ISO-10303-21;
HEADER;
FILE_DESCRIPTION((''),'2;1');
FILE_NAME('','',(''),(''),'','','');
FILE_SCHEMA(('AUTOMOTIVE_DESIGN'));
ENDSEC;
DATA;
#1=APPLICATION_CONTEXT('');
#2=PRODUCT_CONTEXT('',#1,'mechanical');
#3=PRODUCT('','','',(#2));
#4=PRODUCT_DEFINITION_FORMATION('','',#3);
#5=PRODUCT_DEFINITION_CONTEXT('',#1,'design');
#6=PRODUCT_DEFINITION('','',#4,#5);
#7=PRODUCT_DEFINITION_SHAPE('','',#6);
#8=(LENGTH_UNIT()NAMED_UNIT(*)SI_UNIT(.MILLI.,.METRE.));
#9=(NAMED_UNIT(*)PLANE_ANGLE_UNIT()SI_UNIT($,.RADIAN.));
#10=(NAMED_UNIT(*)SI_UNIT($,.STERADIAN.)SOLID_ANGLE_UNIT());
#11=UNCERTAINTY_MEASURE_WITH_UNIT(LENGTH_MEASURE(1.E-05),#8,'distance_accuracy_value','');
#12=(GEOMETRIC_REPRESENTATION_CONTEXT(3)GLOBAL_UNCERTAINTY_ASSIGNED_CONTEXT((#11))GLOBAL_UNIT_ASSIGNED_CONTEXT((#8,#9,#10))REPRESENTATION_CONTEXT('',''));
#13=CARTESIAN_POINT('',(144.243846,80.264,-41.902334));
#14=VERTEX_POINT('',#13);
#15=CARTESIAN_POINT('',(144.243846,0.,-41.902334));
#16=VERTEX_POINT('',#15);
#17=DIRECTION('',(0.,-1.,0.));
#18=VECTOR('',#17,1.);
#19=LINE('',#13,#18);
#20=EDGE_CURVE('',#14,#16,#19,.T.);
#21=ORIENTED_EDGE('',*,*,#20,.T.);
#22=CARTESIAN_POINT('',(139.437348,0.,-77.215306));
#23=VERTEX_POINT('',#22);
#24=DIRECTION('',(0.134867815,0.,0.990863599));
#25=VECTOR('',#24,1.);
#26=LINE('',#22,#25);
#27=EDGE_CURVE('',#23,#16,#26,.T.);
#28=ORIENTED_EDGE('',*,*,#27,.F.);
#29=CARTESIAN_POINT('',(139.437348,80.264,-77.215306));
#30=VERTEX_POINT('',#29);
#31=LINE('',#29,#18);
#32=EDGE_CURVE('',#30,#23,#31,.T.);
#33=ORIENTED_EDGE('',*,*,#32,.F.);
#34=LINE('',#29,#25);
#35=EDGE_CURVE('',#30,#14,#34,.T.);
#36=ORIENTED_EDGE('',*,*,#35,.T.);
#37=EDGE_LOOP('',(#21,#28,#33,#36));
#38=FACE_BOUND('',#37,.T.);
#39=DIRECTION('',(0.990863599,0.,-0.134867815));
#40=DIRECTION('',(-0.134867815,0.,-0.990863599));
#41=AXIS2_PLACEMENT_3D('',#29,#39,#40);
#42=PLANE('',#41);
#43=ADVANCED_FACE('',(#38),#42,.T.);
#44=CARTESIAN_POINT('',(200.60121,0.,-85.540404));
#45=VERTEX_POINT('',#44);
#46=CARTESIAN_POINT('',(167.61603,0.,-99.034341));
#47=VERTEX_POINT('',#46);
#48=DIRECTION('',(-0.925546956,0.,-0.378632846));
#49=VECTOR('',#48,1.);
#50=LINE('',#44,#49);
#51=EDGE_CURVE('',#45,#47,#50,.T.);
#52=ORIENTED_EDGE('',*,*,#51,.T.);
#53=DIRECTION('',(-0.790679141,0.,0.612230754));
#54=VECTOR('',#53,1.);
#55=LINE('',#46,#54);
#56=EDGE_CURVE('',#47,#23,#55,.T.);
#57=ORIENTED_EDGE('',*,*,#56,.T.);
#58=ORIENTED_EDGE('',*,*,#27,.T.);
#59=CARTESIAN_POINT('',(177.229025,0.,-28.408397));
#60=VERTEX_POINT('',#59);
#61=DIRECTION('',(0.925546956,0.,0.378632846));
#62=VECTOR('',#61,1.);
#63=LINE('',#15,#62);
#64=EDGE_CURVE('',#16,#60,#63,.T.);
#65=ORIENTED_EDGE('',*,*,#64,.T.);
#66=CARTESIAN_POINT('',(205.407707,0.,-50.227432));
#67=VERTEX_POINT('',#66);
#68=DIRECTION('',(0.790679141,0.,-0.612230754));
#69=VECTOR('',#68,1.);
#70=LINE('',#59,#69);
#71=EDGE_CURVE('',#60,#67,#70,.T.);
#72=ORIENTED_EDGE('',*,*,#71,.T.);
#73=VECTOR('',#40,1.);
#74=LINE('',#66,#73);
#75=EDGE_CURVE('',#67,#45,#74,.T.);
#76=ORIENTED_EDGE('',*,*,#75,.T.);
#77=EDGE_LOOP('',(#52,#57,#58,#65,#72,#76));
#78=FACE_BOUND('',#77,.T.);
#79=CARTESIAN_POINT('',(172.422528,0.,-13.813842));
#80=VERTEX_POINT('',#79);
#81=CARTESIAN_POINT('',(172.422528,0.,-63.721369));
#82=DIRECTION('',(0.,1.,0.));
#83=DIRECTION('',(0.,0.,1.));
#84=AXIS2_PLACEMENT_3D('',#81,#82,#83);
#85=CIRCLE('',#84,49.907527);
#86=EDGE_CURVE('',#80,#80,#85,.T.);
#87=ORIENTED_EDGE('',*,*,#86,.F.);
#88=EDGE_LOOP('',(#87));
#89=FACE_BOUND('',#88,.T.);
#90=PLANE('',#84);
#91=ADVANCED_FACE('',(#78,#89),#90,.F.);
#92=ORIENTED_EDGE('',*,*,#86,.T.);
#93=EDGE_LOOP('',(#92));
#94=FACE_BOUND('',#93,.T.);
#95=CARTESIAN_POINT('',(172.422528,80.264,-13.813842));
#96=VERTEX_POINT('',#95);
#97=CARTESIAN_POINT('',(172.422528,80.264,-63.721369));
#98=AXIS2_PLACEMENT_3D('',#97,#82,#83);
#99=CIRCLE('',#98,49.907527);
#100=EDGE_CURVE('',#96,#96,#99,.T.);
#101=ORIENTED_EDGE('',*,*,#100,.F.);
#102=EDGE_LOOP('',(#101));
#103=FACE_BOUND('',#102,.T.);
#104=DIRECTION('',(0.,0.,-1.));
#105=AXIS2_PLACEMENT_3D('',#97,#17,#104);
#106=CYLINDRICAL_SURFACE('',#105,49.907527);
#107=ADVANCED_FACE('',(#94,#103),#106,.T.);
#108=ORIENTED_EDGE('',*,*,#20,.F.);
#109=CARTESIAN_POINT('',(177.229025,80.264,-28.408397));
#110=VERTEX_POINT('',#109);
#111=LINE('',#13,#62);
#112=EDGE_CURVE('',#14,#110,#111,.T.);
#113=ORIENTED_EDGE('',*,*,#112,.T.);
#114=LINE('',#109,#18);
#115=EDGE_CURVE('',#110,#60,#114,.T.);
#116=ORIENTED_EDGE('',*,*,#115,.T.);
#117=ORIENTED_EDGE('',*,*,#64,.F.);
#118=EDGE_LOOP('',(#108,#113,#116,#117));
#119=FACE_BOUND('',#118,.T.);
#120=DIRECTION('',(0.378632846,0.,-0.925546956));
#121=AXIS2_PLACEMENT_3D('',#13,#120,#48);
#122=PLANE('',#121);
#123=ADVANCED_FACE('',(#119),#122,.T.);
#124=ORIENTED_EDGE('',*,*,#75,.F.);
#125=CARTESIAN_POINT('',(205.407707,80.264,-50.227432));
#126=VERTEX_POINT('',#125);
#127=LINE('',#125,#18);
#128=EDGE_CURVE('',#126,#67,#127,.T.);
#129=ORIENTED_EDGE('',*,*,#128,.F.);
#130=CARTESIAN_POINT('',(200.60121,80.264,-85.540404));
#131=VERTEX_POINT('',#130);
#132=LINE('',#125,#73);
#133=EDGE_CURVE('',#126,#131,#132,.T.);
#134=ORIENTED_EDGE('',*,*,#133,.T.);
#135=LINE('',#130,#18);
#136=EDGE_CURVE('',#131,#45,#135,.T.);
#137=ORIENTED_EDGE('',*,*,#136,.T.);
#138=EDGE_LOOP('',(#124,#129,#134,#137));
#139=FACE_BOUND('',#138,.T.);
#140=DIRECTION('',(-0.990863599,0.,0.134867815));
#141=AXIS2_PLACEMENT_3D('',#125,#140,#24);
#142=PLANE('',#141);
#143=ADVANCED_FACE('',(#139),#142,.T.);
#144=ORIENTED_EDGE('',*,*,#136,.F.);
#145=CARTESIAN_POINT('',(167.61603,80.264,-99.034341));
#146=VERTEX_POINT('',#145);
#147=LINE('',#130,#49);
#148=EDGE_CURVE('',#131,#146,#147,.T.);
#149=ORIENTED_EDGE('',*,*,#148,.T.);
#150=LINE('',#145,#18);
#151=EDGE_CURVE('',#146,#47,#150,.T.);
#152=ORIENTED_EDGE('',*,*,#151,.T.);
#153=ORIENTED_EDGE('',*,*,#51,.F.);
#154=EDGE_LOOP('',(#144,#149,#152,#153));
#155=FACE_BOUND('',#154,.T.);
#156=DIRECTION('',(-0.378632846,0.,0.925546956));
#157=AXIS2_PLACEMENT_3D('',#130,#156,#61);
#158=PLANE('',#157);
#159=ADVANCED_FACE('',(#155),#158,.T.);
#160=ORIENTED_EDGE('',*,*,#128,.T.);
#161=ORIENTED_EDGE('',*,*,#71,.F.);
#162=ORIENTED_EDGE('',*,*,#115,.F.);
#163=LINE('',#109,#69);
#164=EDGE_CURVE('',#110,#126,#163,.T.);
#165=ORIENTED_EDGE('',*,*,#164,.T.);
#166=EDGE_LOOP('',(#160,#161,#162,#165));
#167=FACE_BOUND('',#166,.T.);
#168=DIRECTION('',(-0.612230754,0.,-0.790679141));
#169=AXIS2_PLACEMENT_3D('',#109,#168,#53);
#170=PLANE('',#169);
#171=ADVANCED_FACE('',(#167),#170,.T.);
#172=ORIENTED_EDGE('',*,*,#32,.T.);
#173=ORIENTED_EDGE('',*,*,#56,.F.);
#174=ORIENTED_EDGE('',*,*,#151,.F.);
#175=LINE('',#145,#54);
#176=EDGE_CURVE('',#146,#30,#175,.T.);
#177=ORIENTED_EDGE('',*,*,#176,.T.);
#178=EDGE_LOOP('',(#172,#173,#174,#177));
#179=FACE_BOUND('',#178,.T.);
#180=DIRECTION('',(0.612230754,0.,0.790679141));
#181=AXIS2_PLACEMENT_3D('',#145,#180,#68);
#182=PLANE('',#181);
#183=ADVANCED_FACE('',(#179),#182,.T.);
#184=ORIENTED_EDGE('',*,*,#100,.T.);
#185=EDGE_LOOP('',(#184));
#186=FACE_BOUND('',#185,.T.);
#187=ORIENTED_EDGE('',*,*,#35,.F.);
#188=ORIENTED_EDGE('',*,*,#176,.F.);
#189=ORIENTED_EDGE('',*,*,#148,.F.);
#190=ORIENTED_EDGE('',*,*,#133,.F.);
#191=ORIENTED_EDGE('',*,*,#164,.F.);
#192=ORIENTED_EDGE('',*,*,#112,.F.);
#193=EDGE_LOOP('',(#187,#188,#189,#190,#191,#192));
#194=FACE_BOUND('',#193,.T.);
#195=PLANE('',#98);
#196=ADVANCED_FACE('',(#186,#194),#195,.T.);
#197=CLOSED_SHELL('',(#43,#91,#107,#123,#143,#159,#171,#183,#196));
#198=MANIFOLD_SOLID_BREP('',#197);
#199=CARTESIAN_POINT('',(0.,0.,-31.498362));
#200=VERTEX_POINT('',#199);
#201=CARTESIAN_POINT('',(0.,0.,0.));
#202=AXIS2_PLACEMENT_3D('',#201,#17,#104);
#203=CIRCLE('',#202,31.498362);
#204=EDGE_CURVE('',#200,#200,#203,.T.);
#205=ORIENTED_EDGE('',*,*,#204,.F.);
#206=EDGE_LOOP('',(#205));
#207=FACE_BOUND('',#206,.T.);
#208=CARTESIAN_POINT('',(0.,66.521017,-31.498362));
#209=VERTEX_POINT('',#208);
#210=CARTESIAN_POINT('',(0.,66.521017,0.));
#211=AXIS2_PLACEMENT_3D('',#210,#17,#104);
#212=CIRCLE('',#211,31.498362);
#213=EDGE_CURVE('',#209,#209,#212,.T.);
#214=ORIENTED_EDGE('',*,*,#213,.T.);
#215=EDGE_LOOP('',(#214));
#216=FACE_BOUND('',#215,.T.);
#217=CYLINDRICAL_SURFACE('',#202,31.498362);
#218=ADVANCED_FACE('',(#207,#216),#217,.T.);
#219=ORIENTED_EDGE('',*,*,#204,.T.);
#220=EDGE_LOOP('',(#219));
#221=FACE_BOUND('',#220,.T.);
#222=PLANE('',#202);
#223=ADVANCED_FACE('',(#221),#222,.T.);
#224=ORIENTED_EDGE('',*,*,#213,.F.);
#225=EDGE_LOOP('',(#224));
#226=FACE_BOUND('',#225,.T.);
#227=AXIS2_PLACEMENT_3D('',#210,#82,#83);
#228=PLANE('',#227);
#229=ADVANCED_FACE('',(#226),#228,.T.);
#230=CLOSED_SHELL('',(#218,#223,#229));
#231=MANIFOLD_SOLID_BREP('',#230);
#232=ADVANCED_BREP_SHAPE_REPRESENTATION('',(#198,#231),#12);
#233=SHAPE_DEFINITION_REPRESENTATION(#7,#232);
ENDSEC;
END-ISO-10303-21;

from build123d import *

# Parameters (mm, degrees)
SKETCH1_W           = 31.498362362
SKETCH1_H           = 66.521017017
SKETCH2_R           = 49.907526652
BOSS_EXTRUDE1_DEPTH = 80.264


with BuildPart() as part:
    # Sketch1 → Revolve1 (revolve)
    with BuildSketch(Plane.XY, mode=Mode.PRIVATE) as revolve1_sk:
        with Locations((15.749181181, 33.260508509)):
            Rectangle(SKETCH1_W, SKETCH1_H)
    revolve(revolve1_sk.sketch.rotate(Axis((0, 0, 0), (0, 1, 0)), 90), axis=Axis((0, 0, 0), (0, 1, 0)))


with BuildPart() as body_2:
    # Sketch2 → Boss-Extrude1 (new body)
    with BuildSketch(Plane(origin=(0, 0, 0), x_dir=(1, 0, 0), z_dir=(0, 1, 0))):
        with Locations(Location((172.422527698, 63.721368932, 0), (0, 0, 270))):
            Circle(SKETCH2_R)
        Polygon((205.40770691, 50.227431982), (200.6012095, 85.540403603), (167.616030289, 99.034340553), (139.437348487, 77.215305882), (144.243845896, 41.902334261), (177.229025108, 28.408397311), align=None, mode=Mode.SUBTRACT)
    extrude(amount=BOSS_EXTRUDE1_DEPTH)


solid = Compound([part.part, body_2.part])
